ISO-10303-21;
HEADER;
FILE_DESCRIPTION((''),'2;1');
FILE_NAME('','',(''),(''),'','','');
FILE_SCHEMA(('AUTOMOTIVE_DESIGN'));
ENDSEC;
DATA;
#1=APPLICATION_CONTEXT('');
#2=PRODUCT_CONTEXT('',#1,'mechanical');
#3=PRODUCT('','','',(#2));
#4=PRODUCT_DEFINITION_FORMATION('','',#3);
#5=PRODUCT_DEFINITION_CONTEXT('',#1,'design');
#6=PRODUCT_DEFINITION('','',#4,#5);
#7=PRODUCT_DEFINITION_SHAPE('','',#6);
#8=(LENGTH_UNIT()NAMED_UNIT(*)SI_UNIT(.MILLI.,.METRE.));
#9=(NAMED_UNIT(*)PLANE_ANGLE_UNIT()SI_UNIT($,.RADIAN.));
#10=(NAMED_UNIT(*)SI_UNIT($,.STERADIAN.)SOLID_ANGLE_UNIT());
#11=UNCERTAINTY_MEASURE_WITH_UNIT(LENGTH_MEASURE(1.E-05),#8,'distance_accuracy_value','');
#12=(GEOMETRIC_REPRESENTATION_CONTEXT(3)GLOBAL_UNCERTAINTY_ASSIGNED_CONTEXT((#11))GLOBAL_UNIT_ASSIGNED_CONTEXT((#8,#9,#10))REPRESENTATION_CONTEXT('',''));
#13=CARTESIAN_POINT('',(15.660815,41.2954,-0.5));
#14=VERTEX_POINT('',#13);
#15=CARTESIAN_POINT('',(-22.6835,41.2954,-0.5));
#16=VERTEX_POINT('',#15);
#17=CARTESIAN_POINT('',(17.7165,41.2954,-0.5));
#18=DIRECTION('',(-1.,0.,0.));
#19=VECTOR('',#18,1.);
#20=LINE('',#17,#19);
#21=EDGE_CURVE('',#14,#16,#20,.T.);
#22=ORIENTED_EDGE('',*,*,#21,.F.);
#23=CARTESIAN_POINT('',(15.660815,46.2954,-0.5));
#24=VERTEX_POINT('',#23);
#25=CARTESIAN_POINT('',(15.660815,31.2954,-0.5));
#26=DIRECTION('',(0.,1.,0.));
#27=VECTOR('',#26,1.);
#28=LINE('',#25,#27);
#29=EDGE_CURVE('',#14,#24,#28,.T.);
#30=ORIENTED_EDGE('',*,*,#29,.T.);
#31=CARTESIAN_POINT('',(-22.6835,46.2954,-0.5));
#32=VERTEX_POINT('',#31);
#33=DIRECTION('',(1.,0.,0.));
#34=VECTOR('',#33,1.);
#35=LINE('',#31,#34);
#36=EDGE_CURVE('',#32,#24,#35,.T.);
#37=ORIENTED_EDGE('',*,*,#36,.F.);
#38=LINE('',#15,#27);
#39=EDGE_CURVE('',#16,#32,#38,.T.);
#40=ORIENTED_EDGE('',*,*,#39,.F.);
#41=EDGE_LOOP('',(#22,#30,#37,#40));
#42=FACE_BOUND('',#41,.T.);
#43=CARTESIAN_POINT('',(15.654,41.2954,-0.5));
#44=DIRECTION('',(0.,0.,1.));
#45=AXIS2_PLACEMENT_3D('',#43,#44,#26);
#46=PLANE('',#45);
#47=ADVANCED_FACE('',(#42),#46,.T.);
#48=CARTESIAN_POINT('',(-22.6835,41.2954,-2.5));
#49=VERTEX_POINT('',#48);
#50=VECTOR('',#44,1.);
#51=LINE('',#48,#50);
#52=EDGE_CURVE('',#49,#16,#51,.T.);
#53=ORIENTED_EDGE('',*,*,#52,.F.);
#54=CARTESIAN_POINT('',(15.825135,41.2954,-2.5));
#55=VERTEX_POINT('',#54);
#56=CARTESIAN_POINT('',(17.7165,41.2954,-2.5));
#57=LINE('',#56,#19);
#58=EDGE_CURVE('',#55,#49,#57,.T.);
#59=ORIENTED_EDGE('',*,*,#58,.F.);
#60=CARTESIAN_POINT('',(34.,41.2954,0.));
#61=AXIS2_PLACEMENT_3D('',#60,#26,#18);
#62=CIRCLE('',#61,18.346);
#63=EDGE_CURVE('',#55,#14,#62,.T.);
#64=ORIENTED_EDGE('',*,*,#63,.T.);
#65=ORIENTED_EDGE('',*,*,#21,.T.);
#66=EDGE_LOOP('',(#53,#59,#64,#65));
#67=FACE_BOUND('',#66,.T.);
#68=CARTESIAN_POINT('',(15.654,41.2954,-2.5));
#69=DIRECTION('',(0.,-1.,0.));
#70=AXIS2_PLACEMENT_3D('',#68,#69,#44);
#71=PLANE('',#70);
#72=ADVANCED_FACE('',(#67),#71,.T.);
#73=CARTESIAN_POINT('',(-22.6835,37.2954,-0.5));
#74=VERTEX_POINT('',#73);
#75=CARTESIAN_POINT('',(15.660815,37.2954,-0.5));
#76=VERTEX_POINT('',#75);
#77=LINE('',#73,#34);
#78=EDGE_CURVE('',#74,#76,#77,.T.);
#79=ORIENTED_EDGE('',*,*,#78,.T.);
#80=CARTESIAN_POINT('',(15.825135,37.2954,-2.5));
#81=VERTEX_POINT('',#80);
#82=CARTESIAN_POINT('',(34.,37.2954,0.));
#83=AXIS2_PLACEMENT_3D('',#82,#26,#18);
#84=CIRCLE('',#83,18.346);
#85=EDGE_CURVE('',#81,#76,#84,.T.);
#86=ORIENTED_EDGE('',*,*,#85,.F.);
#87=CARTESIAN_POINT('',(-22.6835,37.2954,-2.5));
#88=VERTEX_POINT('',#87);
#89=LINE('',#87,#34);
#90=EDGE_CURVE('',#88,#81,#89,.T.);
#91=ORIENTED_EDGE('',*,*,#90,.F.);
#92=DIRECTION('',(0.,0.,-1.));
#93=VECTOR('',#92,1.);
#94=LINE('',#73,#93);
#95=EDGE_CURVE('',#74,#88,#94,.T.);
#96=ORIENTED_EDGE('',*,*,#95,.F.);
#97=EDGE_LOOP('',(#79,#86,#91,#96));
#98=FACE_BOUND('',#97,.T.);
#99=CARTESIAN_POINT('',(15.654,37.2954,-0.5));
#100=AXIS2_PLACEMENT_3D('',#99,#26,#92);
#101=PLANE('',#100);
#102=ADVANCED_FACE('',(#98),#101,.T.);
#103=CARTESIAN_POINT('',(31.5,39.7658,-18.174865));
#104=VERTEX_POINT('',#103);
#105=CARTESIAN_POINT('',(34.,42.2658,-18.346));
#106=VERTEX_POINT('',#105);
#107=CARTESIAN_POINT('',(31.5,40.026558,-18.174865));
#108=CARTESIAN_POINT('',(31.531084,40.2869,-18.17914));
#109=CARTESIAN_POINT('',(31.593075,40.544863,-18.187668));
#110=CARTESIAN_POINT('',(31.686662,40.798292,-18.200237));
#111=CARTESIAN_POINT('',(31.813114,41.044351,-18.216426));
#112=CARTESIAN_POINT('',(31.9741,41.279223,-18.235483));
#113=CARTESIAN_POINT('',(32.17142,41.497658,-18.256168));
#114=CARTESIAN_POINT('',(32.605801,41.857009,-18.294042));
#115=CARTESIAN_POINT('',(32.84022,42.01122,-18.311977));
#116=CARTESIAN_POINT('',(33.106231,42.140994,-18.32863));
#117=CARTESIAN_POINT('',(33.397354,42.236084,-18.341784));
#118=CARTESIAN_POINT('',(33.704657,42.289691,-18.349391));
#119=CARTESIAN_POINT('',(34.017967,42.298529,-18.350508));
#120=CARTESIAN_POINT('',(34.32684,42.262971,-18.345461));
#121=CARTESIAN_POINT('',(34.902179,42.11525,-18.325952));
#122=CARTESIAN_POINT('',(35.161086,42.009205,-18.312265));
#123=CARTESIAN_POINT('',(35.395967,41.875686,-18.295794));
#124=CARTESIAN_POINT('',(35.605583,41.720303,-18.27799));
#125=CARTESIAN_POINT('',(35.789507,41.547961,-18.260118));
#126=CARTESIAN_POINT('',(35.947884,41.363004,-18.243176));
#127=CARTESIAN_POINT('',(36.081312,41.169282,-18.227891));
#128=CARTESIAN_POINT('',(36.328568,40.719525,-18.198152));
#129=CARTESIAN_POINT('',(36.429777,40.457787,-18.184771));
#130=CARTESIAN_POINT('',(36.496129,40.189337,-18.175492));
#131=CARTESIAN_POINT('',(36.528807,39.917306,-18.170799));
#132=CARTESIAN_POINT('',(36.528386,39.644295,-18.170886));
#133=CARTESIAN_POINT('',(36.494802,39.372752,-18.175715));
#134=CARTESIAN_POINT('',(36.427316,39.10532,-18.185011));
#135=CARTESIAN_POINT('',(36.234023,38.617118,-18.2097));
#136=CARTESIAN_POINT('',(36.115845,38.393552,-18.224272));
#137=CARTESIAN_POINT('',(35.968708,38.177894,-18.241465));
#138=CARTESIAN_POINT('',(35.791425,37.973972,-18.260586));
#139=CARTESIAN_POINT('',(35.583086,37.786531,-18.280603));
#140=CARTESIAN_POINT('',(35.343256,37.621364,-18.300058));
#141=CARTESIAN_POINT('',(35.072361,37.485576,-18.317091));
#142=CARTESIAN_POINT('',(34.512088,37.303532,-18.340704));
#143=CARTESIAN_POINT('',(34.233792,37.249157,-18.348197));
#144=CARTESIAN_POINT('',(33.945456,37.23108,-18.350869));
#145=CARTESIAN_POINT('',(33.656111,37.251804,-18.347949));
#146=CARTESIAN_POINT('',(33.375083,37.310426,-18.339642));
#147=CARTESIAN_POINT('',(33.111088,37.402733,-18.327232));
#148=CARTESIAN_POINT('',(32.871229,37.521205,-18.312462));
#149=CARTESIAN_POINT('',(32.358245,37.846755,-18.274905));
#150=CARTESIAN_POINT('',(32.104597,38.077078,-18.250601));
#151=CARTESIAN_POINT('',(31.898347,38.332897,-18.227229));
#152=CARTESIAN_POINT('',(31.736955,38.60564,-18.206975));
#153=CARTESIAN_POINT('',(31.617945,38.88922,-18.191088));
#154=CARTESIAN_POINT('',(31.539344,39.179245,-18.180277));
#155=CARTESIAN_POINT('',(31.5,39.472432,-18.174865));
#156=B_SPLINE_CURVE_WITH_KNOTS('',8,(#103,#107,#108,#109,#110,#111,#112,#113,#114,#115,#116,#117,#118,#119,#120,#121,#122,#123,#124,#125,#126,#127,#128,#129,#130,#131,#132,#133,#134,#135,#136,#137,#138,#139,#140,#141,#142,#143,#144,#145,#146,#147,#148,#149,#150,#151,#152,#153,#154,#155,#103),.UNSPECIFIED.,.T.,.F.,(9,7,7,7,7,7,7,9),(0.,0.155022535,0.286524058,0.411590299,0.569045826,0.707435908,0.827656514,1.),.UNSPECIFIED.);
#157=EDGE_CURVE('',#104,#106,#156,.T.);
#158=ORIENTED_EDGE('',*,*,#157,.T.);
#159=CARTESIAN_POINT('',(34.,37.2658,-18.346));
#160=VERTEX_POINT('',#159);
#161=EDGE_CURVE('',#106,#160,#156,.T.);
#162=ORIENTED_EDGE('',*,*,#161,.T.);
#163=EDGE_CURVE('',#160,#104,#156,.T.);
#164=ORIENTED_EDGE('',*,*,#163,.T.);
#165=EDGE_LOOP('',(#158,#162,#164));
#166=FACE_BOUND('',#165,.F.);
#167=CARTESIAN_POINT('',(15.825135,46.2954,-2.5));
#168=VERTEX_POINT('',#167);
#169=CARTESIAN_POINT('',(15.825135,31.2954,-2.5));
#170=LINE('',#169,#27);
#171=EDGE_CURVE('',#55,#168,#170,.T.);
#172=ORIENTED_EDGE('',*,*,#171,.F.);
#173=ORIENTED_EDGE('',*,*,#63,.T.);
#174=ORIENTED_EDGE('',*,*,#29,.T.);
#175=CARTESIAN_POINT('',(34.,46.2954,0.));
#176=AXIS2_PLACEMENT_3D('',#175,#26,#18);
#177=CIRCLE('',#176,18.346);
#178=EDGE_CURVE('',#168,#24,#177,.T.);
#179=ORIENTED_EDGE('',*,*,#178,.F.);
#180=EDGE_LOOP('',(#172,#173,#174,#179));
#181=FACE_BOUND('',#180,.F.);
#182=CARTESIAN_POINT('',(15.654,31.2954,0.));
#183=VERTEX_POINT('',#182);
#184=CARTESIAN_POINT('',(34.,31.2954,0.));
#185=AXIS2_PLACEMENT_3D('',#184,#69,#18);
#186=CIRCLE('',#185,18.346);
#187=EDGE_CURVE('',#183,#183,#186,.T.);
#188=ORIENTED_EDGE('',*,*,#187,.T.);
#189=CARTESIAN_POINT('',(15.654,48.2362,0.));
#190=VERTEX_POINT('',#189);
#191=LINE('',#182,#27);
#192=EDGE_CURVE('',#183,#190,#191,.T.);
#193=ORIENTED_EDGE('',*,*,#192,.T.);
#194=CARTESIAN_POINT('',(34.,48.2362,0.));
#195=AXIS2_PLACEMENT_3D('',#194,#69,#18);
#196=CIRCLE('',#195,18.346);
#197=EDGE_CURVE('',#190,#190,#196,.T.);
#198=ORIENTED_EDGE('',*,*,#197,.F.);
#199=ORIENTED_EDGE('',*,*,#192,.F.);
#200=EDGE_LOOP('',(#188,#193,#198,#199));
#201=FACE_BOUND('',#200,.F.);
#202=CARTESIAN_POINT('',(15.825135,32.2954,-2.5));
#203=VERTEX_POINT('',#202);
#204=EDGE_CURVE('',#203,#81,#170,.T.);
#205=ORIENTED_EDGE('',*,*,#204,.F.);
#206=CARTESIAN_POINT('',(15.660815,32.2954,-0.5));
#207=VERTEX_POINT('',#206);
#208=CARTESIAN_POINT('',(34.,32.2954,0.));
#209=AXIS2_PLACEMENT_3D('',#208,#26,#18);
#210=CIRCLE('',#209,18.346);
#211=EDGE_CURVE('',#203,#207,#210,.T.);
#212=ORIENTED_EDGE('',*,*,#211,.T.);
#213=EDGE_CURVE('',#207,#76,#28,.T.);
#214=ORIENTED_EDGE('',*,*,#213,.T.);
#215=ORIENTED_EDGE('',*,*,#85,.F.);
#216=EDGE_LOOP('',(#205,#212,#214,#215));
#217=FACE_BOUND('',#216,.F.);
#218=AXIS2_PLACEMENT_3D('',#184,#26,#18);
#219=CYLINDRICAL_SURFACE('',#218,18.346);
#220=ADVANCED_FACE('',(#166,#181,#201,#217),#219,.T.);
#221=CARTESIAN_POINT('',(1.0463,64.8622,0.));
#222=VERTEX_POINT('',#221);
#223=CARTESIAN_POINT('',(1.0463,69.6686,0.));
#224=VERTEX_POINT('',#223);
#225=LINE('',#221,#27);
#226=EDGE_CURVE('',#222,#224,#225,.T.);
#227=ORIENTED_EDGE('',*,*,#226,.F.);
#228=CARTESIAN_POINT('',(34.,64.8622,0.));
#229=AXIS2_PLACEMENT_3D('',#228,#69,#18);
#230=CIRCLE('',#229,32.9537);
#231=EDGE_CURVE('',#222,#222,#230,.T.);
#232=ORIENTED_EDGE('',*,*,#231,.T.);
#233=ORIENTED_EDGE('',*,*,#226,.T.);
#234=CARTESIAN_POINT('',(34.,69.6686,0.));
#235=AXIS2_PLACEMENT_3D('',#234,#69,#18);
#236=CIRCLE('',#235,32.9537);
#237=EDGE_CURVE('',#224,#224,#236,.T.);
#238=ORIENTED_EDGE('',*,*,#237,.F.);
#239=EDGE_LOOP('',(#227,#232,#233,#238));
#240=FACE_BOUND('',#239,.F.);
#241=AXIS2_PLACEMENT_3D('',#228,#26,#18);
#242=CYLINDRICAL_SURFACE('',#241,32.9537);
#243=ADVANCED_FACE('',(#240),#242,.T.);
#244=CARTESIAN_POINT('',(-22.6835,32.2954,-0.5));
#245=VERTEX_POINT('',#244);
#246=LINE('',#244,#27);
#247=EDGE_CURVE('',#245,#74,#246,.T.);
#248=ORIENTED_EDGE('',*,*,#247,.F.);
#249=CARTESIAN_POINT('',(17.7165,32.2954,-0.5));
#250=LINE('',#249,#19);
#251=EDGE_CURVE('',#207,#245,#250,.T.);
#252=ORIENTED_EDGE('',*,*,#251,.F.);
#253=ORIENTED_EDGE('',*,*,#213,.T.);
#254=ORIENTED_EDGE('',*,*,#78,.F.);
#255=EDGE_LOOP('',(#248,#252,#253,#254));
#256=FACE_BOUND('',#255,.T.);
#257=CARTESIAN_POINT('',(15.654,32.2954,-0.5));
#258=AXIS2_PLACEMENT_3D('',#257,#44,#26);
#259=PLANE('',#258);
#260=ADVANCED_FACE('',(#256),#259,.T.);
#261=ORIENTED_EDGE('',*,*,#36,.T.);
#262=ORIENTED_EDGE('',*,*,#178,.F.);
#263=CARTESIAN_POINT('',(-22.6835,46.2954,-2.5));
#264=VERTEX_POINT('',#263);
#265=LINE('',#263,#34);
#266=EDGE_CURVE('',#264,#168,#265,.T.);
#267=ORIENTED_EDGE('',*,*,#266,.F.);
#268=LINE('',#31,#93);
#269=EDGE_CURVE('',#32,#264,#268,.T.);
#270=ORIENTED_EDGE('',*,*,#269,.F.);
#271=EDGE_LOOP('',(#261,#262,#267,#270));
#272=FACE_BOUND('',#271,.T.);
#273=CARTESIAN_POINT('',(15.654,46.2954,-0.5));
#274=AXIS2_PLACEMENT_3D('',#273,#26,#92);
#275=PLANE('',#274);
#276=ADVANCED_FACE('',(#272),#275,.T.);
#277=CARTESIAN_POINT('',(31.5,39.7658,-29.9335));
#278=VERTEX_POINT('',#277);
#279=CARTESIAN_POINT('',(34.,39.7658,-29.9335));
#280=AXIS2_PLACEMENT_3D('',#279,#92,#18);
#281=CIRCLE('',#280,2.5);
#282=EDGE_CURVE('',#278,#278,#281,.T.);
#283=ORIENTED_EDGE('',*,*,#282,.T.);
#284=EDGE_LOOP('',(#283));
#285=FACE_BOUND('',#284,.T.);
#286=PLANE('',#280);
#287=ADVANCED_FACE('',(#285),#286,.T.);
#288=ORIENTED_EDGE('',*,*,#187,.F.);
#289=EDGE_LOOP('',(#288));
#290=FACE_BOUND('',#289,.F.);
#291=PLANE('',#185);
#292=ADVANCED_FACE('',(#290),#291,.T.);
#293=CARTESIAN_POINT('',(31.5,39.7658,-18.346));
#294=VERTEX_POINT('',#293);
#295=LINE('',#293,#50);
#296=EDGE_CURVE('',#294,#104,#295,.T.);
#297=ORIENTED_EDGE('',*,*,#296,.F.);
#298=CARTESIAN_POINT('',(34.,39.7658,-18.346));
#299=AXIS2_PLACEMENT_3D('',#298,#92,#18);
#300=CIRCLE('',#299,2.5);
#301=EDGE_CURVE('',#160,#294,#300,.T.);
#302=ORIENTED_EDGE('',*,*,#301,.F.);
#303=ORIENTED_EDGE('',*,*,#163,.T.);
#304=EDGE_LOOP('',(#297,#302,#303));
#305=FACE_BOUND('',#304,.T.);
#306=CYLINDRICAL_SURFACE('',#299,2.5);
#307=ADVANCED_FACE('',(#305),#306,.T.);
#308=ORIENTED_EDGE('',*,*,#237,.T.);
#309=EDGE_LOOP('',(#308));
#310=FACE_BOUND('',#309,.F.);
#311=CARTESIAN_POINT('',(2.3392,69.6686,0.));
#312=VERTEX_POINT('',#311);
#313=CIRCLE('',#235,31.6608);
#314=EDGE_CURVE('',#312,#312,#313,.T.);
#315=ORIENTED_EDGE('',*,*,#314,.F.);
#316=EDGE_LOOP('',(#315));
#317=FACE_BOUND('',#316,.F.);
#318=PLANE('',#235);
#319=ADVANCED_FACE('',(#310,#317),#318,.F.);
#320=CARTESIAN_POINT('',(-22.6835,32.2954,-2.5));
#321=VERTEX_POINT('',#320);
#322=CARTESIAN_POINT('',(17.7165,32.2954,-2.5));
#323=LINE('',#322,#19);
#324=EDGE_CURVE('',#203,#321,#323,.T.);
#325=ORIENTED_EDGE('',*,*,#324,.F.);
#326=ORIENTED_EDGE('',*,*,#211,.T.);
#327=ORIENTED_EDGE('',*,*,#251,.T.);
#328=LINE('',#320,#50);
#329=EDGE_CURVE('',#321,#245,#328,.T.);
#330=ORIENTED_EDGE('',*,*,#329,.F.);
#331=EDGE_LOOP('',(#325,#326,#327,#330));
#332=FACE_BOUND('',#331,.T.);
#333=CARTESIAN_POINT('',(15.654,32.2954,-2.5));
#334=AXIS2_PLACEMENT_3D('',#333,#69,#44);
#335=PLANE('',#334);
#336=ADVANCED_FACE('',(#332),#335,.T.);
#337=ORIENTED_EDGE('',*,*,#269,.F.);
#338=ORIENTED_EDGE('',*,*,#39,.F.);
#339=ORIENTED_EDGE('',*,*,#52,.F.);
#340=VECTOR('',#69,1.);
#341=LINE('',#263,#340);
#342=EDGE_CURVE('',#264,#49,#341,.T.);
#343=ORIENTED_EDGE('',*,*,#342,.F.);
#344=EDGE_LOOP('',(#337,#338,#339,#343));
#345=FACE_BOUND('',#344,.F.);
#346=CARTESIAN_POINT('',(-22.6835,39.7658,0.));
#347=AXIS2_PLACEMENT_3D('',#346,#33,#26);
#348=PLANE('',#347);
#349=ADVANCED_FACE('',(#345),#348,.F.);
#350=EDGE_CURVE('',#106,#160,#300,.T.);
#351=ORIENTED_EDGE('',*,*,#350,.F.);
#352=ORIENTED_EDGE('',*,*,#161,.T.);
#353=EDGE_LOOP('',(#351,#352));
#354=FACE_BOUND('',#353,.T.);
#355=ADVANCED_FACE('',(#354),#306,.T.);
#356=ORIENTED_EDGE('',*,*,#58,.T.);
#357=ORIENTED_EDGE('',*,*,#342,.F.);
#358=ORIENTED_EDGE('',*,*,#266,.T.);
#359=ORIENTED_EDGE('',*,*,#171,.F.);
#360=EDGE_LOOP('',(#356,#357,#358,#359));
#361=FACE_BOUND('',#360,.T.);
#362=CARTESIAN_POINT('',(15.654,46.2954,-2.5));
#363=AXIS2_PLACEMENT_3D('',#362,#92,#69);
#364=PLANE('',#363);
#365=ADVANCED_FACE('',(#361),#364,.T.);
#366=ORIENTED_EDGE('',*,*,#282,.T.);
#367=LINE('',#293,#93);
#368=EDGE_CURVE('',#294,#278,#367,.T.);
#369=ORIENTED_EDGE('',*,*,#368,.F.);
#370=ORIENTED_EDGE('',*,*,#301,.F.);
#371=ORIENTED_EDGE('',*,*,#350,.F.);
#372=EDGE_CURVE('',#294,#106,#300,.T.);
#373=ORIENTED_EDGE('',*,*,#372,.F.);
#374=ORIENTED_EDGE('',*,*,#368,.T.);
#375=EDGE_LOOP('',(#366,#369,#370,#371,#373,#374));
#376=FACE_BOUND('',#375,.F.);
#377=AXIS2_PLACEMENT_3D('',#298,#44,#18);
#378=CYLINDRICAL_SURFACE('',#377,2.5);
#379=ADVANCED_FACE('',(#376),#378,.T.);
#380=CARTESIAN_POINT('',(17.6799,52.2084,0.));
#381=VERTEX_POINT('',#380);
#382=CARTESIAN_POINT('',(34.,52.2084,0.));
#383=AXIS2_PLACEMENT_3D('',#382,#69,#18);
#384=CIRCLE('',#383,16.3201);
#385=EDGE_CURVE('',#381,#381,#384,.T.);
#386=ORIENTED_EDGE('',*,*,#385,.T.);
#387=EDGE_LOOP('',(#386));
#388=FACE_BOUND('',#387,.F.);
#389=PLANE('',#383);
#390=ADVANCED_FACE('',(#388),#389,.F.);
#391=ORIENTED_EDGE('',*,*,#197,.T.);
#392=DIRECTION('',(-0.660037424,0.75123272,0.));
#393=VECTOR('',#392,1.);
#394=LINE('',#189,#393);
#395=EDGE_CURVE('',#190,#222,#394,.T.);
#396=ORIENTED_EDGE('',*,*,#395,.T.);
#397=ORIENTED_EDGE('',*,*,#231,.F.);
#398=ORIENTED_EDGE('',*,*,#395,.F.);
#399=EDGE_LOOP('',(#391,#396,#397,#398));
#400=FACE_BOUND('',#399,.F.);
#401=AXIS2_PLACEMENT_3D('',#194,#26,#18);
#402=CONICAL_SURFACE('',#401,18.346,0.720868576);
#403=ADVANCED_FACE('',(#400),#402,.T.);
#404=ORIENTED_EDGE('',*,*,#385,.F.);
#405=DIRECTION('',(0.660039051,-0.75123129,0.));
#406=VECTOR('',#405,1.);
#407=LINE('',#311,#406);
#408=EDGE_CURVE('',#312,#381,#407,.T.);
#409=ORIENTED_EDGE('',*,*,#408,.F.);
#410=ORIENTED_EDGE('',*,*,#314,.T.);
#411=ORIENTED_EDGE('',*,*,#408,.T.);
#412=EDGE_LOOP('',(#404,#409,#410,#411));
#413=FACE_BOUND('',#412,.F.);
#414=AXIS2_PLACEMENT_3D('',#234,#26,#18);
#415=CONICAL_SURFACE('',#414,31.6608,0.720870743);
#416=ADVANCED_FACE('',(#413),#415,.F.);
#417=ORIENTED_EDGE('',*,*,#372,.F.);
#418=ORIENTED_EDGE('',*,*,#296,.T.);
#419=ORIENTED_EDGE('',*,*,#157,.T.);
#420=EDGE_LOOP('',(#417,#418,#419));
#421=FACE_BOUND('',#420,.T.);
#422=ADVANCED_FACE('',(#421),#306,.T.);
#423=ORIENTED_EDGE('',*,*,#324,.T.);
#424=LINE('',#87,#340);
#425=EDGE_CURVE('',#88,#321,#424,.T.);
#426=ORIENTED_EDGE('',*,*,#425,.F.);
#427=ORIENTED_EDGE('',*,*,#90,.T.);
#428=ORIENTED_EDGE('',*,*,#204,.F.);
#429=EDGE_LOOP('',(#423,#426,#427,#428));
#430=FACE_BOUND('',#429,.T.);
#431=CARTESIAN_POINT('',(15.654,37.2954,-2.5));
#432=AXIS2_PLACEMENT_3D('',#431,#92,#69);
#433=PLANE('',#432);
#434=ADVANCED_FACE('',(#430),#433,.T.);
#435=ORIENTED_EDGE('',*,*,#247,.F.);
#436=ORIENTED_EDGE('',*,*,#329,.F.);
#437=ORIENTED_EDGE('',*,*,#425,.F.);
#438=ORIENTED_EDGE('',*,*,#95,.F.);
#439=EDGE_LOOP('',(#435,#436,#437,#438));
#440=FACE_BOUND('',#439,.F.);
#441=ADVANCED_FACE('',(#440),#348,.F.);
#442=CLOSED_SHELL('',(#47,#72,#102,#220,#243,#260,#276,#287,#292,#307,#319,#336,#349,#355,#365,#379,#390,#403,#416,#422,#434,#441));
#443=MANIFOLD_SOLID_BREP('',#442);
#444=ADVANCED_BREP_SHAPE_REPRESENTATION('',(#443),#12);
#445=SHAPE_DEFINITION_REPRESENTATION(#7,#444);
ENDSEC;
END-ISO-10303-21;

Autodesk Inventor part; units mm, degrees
ref_plane "XZ Plane" through (0, 0, 0) normal (0, 1, 0) x (-1, 0, 0)
ref_plane "XY Plane" through (0, 0, 0) normal (0, 0, 1) x (1, 0, 0)
sketch "Sketch1" plane through (0, 0, 0) normal (0, 0, 1) x (1, 0, 0)
  line L0 (34, 31.2954) -> (15.654, 31.2954)
  line L1 (15.654, 31.2954) -> (15.654, 48.2362)
  line L2 (15.654, 48.2362) -> (1.0463, 64.8622)
  line L3 (1.0463, 64.8622) -> (1.0463, 69.6686)
  line L4 (1.0463, 69.6686) -> (2.3392, 69.6686)
  line L5 (2.3392, 69.6686) -> (17.6799, 52.2084)
  line L6 (17.6799, 52.2084) -> (34, 52.2084)
  line L7 (52, 820) -> (16, 820) projected
  line L8 (34, 820) -> (34, 0)
  point P0 (0, 0)
revolve "Revolution1" add sketch "Sketch1" angle 360 about axis through (34, 820, 0) along (0, -1, 0)
ref_plane "Work Plane1" through (15.654, 39.7658, 0) normal (1, 0, 0) x (0, 1, 0)
sketch "Sketch2" plane through (15.654, 39.7658, 0) normal (1, 0, 0) x (0, 1, 0)
  line L0 (-8.4704, -18.346) -> (-8.4704, 18.346) construction
  line L1 (-2.4704, -2.5) -> (-7.4704, -2.5)
  line L2 (-7.4704, -2.5) -> (-7.4704, -0.5)
  line L3 (-7.4704, -0.5) -> (-2.4704, -0.5)
  line L4 (-2.4704, -0.5) -> (-2.4704, -2.5)
  line L5 (6.5296, -2.5) -> (1.5296, -2.5)
  line L6 (1.5296, -2.5) -> (1.5296, -0.5)
  line L7 (1.5296, -0.5) -> (6.5296, -0.5)
  line L8 (6.5296, -0.5) -> (6.5296, -2.5)
  line L9 (6.5296, -2.5) -> (1.5296, -0.5) construction
  line L10 (6.5296, -0.5) -> (1.5296, -2.5) construction
  line L11 (-7.4704, -0.5) -> (-2.4704, -2.5) construction
  line L12 (-7.4704, -2.5) -> (-2.4704, -0.5) construction
  line L13 (-39.7658, 0) -> (810.2342, 0) projected
  dimension "d1" = 5
  dimension "d2" = 2
  dimension "d3" = 1
  dimension "d4" = 4
  dimension "d10" = 0.5
extrude "Extrusion1" add sketch "Sketch2" along normal blind 2.0625 and the other way blind 38.3375
ref_plane "Work Plane3" through (34, 39.7658, -18.346) normal (0, 0, -1) x (-1, 0, 0)
ref_plane "Work Plane2" through (-80, 0, -3) normal (0, 0, -1) x (-1, 0, 0)
sketch "Sketch3" plane through (34, 39.7658, -18.346) normal (0, 0, -1) x (-1, 0, 0)
  circle A0 centre (0, 0) radius 2.5
  circle A1 centre (0, 779.9029) radius 2.5 projected
  point P0 (34, -39.7658)
extrude "Extrusion2" add sketch "Sketch3" along normal blind 11.5875 and the other way blind 5.7935 contours A0
properties part number "BallReciever"
